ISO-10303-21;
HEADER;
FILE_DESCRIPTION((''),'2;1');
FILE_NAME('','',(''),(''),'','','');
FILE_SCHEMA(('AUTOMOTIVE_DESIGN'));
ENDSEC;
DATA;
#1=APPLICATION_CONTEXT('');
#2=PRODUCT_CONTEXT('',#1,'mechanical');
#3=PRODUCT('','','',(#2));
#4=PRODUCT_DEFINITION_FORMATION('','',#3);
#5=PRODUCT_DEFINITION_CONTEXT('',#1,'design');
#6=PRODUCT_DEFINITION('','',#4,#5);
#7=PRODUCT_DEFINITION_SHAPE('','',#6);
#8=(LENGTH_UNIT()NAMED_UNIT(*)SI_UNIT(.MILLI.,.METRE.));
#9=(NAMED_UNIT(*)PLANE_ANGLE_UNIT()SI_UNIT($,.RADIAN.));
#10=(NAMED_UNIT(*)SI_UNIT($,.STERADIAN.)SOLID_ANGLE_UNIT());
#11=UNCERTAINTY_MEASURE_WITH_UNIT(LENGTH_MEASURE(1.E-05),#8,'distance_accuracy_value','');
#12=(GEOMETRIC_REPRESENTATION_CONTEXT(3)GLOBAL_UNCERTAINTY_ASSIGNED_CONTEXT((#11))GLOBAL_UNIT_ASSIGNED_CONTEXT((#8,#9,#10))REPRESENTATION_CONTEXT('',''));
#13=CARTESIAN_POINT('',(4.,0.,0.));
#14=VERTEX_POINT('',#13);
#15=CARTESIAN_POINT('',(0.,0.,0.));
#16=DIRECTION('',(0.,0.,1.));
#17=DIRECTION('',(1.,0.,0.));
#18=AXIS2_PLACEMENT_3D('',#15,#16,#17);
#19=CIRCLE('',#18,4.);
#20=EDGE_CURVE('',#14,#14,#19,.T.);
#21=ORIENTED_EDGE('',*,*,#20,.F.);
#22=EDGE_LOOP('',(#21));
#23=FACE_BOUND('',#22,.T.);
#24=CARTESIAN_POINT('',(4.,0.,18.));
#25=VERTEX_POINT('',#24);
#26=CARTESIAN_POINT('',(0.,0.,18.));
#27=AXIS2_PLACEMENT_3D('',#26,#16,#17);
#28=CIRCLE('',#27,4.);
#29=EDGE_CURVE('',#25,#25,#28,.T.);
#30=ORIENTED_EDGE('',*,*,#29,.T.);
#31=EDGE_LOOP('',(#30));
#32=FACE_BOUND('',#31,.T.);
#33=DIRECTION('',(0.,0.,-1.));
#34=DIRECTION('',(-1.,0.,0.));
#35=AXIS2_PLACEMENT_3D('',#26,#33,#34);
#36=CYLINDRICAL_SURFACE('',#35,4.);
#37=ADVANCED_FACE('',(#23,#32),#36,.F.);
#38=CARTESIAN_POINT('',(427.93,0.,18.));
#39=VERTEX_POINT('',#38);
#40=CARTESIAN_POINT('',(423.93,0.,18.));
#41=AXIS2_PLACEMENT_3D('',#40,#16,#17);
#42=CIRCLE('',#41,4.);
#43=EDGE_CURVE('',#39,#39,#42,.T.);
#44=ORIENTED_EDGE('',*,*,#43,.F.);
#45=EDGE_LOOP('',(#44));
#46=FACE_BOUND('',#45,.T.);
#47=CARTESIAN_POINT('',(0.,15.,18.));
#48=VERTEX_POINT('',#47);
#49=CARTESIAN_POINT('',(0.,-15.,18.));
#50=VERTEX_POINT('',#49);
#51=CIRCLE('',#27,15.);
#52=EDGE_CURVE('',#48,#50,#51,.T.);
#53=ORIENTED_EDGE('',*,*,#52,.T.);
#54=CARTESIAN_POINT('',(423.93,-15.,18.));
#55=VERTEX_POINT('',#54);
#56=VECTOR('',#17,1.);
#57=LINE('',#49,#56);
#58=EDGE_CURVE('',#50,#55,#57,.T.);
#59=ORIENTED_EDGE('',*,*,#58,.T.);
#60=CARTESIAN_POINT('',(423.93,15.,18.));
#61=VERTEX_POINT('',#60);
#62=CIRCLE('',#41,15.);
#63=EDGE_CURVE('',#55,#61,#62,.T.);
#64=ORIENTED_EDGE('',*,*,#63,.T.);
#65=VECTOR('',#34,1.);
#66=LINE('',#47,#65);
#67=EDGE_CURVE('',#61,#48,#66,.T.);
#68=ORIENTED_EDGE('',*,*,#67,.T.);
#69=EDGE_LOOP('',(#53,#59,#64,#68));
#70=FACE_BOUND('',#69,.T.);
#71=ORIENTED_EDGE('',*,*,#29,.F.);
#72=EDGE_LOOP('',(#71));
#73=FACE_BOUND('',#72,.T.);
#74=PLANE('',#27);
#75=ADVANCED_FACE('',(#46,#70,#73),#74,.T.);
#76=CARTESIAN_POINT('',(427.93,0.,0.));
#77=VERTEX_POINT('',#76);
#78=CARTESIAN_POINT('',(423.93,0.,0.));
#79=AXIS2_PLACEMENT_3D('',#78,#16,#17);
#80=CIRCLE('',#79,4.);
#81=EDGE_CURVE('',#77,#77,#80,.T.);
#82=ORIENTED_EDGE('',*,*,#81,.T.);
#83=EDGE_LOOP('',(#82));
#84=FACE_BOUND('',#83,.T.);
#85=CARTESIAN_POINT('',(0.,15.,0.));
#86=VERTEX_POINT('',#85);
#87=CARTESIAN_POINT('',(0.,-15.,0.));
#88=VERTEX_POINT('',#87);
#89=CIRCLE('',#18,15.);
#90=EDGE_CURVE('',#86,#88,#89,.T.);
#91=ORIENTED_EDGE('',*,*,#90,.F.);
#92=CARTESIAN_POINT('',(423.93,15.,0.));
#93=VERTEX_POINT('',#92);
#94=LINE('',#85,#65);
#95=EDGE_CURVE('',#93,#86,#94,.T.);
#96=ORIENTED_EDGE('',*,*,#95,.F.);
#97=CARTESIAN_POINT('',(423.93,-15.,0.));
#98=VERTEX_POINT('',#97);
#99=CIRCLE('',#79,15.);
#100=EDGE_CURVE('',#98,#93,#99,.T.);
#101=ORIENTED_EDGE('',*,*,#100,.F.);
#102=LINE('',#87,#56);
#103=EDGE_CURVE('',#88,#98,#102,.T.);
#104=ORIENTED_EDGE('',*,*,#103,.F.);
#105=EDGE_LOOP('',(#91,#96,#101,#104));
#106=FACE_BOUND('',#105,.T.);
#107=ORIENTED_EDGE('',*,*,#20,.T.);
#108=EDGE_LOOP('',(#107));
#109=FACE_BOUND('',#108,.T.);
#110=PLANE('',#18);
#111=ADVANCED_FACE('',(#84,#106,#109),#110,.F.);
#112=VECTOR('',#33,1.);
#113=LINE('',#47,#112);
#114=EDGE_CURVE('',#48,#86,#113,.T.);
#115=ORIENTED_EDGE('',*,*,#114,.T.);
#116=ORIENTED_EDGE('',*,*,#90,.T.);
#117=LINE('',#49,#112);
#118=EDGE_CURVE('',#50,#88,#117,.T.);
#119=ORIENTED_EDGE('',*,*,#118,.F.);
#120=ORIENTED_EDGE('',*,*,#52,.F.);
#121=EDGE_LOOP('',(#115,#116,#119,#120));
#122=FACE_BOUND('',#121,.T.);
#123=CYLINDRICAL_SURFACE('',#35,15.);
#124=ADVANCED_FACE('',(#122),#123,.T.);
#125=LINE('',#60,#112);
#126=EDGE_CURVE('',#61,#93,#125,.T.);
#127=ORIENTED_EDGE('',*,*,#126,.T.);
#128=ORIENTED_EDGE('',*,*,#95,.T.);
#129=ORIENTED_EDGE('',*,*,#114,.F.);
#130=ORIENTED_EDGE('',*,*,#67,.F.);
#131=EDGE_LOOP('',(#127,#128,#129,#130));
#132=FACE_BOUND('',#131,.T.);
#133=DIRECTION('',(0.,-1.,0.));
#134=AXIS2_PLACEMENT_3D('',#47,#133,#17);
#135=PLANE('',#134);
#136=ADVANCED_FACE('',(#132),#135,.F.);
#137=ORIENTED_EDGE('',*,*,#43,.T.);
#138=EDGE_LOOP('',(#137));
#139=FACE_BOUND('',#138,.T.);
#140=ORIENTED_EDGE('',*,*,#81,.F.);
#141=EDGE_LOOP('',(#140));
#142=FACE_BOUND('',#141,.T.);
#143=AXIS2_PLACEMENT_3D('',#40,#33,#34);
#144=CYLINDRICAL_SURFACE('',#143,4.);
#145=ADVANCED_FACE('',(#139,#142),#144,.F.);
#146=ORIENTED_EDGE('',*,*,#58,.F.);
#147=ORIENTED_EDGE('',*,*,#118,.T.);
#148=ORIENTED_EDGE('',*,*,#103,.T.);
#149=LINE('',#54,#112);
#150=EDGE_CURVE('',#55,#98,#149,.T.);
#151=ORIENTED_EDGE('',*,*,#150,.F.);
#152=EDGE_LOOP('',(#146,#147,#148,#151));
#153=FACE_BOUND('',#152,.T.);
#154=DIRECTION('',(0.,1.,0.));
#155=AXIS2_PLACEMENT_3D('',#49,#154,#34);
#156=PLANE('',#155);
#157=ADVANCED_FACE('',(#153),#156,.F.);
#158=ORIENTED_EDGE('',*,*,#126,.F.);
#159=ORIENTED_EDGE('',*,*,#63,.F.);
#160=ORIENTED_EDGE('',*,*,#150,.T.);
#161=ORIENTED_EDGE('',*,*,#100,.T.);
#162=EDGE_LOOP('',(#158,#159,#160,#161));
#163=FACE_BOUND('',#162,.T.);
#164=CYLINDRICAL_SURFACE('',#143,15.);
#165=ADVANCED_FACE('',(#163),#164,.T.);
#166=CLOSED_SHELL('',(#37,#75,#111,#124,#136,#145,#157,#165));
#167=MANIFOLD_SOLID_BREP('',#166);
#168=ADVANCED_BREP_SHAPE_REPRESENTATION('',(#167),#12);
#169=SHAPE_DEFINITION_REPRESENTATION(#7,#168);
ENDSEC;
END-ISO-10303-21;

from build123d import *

# Parameters (mm, degrees)
SKETCH_1_R      = 4
EXTRUDE_2_DEPTH = 18


with BuildPart() as part:
    # 草图1 → 凸台-拉伸2 (new body)
    with BuildSketch(Plane.XY):
        with BuildLine():
            Line((0, 15), (423.93, 15))
            ThreePointArc((423.93, 15), (438.93, 0), (423.93, -15))
            Line((423.93, -15), (0, -15))
            ThreePointArc((0, -15), (-15, 0), (0, 15))
        make_face()
        Circle(SKETCH_1_R, mode=Mode.SUBTRACT)
        with Locations((423.93, 0)):
            Circle(SKETCH_1_R, mode=Mode.SUBTRACT)
    extrude(amount=EXTRUDE_2_DEPTH)


solid = part.part
